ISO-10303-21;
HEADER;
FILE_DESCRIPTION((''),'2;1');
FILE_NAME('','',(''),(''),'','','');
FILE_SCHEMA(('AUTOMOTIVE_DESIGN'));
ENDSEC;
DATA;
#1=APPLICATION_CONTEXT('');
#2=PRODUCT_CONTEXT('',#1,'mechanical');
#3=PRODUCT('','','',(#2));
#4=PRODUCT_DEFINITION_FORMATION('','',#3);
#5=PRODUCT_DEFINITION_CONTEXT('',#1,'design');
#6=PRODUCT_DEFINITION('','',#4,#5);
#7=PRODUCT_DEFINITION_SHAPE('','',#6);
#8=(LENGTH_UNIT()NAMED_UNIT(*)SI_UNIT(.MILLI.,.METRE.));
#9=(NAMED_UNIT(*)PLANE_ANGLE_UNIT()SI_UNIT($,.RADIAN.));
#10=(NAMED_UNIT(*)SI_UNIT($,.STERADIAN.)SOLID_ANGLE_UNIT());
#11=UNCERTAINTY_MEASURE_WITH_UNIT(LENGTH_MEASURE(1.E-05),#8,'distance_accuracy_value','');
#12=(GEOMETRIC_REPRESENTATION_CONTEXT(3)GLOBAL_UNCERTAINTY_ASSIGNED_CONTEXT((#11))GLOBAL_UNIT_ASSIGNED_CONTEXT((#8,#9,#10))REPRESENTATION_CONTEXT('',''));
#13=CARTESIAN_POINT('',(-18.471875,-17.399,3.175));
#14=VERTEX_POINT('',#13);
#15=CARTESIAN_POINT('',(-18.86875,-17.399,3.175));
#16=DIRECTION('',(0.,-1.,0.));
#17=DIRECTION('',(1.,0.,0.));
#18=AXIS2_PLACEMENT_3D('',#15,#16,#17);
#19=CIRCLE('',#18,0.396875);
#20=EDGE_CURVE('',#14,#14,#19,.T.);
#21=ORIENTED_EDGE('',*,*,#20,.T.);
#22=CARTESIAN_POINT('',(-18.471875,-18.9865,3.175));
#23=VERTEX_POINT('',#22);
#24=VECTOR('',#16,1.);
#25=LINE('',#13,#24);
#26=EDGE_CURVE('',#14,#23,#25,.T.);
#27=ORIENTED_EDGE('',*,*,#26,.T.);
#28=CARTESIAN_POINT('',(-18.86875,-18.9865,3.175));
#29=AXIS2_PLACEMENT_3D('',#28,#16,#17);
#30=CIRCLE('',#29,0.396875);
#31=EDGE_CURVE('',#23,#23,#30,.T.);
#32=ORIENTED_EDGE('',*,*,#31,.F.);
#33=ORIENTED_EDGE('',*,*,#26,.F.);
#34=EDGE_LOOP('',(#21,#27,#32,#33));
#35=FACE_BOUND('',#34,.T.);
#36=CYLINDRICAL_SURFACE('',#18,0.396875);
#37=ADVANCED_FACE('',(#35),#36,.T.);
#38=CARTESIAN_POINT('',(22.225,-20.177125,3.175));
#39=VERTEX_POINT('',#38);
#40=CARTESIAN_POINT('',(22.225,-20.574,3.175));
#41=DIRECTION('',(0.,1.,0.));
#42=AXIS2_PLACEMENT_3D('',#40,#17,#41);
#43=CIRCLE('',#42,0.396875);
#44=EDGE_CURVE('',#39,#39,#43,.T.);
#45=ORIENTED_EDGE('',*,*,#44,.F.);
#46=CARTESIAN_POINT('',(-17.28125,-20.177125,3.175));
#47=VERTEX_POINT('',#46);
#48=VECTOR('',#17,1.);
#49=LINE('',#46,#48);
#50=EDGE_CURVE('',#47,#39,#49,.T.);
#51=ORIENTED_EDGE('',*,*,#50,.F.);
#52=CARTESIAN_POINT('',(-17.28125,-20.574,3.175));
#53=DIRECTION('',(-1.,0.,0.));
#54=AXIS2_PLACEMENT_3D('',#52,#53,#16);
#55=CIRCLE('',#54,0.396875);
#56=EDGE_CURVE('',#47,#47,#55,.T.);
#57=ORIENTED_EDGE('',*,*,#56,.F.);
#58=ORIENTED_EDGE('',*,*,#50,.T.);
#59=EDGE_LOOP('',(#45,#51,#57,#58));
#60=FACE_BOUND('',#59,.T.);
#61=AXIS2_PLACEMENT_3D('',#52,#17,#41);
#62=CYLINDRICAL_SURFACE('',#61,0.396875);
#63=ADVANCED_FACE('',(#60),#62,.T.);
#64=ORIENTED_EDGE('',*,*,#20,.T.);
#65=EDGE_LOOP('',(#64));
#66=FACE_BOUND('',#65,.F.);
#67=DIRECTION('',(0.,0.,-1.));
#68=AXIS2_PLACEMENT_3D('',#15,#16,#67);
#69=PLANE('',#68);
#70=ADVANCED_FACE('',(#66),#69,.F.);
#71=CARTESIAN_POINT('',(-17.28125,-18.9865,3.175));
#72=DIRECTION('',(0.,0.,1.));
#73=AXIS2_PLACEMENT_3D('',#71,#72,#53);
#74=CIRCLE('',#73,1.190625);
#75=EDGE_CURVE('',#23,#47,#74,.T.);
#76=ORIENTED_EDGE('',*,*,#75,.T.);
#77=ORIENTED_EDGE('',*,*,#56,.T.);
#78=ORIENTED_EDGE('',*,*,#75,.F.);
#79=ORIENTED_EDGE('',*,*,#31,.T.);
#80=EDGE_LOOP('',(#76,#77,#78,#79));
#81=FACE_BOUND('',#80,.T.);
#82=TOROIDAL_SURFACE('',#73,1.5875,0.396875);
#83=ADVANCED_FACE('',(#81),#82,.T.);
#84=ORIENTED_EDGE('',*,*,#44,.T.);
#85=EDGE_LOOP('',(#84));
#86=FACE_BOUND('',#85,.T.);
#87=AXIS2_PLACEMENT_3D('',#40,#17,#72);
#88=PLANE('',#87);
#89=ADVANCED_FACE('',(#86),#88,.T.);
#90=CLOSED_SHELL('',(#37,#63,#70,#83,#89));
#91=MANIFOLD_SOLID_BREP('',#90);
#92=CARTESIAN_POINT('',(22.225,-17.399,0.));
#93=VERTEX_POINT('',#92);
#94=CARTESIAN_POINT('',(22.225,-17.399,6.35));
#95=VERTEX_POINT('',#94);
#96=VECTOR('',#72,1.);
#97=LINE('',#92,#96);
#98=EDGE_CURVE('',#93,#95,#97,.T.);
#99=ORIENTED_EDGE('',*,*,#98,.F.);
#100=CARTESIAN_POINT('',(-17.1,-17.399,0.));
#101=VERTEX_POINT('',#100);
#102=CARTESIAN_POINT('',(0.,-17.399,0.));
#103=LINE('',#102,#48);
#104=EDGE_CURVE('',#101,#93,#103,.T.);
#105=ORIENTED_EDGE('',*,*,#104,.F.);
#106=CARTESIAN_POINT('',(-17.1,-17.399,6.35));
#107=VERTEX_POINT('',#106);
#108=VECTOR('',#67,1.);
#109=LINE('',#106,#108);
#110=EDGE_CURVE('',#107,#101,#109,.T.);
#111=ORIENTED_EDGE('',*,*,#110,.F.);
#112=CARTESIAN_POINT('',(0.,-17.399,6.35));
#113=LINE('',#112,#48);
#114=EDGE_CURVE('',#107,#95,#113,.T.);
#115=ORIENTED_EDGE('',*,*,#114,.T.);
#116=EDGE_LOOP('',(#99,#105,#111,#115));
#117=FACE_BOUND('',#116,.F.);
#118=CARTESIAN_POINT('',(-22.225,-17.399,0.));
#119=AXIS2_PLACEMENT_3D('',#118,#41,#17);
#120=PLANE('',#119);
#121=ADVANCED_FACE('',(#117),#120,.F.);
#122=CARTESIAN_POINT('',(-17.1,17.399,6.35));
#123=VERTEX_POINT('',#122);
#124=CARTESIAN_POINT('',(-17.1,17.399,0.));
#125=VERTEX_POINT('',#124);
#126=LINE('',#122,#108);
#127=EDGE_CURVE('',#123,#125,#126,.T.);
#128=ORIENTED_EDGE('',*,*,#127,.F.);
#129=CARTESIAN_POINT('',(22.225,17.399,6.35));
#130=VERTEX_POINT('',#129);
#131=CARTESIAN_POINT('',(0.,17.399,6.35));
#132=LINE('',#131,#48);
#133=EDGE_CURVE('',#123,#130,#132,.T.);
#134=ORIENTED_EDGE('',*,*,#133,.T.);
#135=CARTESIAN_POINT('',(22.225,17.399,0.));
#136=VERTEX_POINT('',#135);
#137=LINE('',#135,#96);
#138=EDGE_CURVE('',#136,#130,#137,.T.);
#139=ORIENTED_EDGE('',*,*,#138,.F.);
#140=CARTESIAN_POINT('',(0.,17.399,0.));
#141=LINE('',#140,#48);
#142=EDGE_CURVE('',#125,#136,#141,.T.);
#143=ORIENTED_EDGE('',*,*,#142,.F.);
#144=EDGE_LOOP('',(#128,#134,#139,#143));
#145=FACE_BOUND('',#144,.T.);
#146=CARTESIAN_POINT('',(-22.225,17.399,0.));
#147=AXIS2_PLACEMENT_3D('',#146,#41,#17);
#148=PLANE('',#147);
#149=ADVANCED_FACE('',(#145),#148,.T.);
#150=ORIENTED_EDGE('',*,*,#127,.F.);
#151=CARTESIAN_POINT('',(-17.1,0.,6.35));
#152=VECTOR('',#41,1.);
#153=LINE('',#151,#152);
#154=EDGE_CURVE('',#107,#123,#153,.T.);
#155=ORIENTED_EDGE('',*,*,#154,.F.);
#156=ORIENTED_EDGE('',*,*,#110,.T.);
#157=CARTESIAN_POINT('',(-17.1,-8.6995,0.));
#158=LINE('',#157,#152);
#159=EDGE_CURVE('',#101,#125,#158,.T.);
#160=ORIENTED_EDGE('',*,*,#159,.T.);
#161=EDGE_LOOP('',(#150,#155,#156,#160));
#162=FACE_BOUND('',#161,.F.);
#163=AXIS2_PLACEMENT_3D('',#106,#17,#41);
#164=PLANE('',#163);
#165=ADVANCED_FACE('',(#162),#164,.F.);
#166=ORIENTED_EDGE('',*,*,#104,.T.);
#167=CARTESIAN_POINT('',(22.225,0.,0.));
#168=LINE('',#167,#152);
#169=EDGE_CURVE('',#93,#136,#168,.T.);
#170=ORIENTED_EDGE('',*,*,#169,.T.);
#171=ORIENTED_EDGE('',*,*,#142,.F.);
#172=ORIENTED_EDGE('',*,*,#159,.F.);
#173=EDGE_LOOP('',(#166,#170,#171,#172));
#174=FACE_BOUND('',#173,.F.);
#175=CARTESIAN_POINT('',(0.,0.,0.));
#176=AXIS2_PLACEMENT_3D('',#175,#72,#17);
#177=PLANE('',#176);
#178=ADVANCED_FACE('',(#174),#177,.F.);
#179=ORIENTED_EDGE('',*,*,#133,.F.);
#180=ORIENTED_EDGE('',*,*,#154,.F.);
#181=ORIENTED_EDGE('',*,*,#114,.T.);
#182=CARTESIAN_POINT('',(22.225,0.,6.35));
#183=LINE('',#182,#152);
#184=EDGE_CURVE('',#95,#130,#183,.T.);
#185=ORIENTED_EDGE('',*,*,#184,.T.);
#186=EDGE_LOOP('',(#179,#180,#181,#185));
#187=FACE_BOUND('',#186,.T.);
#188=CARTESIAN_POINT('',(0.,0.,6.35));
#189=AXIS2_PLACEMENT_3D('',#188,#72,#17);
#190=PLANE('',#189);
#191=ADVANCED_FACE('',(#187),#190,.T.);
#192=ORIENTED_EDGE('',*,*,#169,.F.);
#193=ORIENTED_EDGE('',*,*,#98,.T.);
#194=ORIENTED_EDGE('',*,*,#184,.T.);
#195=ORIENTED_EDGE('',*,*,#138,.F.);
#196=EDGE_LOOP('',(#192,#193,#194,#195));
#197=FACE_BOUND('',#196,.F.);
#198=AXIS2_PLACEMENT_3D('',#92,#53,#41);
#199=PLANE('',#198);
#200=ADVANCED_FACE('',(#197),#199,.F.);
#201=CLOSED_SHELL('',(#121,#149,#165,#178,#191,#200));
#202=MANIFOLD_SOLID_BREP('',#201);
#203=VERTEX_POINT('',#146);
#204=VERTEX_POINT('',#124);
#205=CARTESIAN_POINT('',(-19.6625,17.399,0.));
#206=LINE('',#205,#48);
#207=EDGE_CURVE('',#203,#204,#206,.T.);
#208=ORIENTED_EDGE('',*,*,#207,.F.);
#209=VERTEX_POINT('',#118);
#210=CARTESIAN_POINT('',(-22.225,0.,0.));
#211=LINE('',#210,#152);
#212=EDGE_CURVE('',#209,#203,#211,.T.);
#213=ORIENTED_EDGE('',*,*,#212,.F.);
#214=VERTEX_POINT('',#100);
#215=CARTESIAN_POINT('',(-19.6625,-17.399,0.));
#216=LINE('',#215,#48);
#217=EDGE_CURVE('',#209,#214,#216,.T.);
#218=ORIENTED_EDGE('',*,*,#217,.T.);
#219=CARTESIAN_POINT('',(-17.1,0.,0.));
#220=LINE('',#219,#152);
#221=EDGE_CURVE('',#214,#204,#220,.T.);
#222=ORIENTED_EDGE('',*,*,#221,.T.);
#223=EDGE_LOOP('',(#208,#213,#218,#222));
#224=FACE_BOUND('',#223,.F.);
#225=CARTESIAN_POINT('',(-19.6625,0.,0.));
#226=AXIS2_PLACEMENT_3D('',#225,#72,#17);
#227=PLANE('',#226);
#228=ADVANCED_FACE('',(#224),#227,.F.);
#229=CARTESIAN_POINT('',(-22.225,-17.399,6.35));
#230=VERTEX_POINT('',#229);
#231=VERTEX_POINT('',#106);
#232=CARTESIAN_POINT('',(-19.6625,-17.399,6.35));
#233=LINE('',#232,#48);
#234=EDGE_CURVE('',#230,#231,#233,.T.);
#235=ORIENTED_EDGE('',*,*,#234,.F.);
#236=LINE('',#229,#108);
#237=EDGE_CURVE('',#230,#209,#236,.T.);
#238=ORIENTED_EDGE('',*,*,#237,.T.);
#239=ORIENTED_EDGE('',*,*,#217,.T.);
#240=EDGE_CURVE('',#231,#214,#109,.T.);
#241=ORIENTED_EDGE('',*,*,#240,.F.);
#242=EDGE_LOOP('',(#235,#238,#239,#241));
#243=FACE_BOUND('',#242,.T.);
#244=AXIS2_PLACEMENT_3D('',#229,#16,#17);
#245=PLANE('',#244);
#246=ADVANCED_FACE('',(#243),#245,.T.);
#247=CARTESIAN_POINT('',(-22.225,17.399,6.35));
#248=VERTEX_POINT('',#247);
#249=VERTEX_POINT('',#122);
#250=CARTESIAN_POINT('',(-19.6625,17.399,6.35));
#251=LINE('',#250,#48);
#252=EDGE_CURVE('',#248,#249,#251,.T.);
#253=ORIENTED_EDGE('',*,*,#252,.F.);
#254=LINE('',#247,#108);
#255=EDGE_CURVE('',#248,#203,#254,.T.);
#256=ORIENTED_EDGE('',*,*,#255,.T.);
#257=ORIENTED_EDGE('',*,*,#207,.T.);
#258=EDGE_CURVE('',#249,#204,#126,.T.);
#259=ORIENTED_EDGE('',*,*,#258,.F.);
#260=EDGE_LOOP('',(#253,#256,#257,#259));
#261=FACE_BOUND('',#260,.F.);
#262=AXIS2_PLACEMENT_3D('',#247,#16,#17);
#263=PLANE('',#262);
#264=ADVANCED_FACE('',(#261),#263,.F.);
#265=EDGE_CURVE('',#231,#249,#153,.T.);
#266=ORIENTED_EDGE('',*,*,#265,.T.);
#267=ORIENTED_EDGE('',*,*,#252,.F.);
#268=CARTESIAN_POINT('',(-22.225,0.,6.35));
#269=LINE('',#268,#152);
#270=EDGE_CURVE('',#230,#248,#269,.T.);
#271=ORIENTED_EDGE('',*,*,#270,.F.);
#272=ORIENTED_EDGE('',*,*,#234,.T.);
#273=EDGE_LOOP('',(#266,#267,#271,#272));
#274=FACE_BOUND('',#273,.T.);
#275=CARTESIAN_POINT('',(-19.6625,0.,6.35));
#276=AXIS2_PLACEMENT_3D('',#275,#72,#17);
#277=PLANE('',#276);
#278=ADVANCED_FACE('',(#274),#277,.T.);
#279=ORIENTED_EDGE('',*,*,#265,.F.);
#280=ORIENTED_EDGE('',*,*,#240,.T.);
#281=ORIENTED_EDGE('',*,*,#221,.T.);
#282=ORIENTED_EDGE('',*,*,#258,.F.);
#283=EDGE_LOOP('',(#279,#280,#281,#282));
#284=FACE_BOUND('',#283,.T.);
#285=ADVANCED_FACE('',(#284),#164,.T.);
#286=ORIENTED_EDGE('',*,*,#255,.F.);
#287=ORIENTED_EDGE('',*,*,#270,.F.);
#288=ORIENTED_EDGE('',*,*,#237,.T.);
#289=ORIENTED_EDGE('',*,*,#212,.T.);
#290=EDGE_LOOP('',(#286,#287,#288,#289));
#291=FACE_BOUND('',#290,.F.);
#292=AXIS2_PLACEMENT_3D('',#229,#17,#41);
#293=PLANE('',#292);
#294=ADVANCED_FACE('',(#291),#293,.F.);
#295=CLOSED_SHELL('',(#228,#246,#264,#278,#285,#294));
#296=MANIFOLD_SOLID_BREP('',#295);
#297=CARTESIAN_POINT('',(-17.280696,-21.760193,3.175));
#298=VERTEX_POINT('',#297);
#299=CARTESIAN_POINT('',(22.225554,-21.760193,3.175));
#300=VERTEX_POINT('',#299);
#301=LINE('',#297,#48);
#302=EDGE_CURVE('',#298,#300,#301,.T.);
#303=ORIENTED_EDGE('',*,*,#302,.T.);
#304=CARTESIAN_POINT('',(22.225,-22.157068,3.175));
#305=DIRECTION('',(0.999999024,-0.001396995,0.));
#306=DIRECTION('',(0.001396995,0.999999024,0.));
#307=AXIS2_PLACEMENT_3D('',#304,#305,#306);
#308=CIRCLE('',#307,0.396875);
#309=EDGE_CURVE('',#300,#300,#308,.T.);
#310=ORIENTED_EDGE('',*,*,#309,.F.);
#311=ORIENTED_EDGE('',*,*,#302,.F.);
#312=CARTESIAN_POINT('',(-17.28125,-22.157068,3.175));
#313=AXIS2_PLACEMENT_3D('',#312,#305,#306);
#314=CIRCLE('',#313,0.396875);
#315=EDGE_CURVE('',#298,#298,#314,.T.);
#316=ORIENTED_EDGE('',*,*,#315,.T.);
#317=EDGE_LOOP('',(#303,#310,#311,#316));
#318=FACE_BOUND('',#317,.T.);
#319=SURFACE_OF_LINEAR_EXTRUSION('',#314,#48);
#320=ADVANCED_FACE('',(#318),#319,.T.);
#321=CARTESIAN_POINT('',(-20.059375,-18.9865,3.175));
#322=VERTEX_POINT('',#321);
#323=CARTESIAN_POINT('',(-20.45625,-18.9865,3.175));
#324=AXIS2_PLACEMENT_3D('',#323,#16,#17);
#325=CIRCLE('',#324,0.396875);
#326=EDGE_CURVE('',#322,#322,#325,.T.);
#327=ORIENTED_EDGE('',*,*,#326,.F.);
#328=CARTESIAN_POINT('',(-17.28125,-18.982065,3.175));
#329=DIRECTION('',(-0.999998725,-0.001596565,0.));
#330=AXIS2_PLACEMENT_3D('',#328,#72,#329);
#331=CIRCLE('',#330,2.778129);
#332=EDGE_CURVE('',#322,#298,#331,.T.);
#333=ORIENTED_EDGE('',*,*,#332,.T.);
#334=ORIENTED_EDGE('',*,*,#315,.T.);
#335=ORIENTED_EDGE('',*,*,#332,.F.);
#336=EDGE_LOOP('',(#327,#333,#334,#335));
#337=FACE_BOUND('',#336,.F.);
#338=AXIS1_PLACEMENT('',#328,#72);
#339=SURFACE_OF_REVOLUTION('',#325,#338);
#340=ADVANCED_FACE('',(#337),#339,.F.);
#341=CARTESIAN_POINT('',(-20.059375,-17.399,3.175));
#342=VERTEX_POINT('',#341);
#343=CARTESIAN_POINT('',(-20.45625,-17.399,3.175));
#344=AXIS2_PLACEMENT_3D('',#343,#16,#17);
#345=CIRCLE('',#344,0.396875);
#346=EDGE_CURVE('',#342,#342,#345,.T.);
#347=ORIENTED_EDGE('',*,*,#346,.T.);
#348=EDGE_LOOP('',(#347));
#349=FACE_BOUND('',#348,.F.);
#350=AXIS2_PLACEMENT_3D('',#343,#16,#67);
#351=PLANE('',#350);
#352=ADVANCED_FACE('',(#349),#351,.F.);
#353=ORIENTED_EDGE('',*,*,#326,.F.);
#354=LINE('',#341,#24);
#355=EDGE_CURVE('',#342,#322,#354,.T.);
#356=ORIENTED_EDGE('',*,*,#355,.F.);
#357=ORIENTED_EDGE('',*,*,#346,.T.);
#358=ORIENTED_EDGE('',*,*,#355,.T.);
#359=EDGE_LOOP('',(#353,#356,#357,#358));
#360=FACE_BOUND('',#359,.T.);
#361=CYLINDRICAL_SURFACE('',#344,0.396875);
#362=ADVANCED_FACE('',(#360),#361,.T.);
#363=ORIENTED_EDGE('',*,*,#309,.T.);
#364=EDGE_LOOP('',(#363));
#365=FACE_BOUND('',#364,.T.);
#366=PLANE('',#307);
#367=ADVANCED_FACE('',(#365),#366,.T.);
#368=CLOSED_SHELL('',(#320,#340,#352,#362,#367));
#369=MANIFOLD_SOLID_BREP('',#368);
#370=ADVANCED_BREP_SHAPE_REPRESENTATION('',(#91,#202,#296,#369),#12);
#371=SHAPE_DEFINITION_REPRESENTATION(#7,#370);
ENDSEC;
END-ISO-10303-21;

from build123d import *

# Parameters (mm, degrees)
F0_W     = 44.45
F0_H     = 34.798
F1_DEPTH = 6.35
F2_W     = 5.125
F2_H     = 34.798
F3_DEPTH = 6.351
F4_DEPTH = 6.35
F6_R     = 0.396875


with BuildPart() as f1:
    # F0 (on Top) → F1 (new body)
    with BuildSketch(Plane.XY):
        Rectangle(F0_W, F0_H)
    extrude(amount=F1_DEPTH)

    # F2 (on face) → F3 (cut, through all)
    with BuildSketch(Plane.XY.offset(6.35)):
        with Locations((-19.6625, 0)):
            Rectangle(F2_W, F2_H)
    extrude(amount=-F3_DEPTH, mode=Mode.SUBTRACT)


with BuildPart() as f4:
    # F2 (on face) → F4 (new body, through all)
    with BuildSketch(Plane.XY.offset(6.35)):
        with Locations((-19.6625, 0)):
            Rectangle(F2_W, F2_H)
    extrude(amount=-F4_DEPTH)


with BuildPart() as f8:
    # F8: sweep along a path in F7
    with BuildLine(Plane.XY.offset(3.175)) as f8_path:
        Line((-18.86875, -17.399), (-18.86875, -18.9865))
        ThreePointArc((-18.86875, -18.9865), (-18.4037820151, -20.1090320151), (-17.28125, -20.574))
        Line((-17.28125, -20.574), (22.225, -20.574))
    # F6 (on face) → F8 (sweep)
    with BuildSketch(Plane.XZ.offset(17.399)):
        with Locations((-18.86875, 3.175)):
            Circle(F6_R)
    sweep(path=f8_path.line)


with BuildPart() as f9:
    # F9: sweep along a path in F7
    with BuildLine(Plane.XY.offset(3.175)) as f9_path:
        Line((-20.45625, -17.399), (-20.45625, -18.9865))
        ThreePointArc((-20.45625, -18.9865), (-19.5247475, -21.2286983837), (-17.28125, -22.1570676353))
        Line((-17.28125, -22.1570676353), (22.225, -22.1570676353))
    # F6 (on face) → F9 (sweep)
    with BuildSketch(Plane.XZ.offset(17.399)):
        with Locations((-20.45625, 3.175)):
            Circle(F6_R)
    sweep(path=f9_path.line)


solid = Compound([f1.part, f4.part, f8.part, f9.part])
